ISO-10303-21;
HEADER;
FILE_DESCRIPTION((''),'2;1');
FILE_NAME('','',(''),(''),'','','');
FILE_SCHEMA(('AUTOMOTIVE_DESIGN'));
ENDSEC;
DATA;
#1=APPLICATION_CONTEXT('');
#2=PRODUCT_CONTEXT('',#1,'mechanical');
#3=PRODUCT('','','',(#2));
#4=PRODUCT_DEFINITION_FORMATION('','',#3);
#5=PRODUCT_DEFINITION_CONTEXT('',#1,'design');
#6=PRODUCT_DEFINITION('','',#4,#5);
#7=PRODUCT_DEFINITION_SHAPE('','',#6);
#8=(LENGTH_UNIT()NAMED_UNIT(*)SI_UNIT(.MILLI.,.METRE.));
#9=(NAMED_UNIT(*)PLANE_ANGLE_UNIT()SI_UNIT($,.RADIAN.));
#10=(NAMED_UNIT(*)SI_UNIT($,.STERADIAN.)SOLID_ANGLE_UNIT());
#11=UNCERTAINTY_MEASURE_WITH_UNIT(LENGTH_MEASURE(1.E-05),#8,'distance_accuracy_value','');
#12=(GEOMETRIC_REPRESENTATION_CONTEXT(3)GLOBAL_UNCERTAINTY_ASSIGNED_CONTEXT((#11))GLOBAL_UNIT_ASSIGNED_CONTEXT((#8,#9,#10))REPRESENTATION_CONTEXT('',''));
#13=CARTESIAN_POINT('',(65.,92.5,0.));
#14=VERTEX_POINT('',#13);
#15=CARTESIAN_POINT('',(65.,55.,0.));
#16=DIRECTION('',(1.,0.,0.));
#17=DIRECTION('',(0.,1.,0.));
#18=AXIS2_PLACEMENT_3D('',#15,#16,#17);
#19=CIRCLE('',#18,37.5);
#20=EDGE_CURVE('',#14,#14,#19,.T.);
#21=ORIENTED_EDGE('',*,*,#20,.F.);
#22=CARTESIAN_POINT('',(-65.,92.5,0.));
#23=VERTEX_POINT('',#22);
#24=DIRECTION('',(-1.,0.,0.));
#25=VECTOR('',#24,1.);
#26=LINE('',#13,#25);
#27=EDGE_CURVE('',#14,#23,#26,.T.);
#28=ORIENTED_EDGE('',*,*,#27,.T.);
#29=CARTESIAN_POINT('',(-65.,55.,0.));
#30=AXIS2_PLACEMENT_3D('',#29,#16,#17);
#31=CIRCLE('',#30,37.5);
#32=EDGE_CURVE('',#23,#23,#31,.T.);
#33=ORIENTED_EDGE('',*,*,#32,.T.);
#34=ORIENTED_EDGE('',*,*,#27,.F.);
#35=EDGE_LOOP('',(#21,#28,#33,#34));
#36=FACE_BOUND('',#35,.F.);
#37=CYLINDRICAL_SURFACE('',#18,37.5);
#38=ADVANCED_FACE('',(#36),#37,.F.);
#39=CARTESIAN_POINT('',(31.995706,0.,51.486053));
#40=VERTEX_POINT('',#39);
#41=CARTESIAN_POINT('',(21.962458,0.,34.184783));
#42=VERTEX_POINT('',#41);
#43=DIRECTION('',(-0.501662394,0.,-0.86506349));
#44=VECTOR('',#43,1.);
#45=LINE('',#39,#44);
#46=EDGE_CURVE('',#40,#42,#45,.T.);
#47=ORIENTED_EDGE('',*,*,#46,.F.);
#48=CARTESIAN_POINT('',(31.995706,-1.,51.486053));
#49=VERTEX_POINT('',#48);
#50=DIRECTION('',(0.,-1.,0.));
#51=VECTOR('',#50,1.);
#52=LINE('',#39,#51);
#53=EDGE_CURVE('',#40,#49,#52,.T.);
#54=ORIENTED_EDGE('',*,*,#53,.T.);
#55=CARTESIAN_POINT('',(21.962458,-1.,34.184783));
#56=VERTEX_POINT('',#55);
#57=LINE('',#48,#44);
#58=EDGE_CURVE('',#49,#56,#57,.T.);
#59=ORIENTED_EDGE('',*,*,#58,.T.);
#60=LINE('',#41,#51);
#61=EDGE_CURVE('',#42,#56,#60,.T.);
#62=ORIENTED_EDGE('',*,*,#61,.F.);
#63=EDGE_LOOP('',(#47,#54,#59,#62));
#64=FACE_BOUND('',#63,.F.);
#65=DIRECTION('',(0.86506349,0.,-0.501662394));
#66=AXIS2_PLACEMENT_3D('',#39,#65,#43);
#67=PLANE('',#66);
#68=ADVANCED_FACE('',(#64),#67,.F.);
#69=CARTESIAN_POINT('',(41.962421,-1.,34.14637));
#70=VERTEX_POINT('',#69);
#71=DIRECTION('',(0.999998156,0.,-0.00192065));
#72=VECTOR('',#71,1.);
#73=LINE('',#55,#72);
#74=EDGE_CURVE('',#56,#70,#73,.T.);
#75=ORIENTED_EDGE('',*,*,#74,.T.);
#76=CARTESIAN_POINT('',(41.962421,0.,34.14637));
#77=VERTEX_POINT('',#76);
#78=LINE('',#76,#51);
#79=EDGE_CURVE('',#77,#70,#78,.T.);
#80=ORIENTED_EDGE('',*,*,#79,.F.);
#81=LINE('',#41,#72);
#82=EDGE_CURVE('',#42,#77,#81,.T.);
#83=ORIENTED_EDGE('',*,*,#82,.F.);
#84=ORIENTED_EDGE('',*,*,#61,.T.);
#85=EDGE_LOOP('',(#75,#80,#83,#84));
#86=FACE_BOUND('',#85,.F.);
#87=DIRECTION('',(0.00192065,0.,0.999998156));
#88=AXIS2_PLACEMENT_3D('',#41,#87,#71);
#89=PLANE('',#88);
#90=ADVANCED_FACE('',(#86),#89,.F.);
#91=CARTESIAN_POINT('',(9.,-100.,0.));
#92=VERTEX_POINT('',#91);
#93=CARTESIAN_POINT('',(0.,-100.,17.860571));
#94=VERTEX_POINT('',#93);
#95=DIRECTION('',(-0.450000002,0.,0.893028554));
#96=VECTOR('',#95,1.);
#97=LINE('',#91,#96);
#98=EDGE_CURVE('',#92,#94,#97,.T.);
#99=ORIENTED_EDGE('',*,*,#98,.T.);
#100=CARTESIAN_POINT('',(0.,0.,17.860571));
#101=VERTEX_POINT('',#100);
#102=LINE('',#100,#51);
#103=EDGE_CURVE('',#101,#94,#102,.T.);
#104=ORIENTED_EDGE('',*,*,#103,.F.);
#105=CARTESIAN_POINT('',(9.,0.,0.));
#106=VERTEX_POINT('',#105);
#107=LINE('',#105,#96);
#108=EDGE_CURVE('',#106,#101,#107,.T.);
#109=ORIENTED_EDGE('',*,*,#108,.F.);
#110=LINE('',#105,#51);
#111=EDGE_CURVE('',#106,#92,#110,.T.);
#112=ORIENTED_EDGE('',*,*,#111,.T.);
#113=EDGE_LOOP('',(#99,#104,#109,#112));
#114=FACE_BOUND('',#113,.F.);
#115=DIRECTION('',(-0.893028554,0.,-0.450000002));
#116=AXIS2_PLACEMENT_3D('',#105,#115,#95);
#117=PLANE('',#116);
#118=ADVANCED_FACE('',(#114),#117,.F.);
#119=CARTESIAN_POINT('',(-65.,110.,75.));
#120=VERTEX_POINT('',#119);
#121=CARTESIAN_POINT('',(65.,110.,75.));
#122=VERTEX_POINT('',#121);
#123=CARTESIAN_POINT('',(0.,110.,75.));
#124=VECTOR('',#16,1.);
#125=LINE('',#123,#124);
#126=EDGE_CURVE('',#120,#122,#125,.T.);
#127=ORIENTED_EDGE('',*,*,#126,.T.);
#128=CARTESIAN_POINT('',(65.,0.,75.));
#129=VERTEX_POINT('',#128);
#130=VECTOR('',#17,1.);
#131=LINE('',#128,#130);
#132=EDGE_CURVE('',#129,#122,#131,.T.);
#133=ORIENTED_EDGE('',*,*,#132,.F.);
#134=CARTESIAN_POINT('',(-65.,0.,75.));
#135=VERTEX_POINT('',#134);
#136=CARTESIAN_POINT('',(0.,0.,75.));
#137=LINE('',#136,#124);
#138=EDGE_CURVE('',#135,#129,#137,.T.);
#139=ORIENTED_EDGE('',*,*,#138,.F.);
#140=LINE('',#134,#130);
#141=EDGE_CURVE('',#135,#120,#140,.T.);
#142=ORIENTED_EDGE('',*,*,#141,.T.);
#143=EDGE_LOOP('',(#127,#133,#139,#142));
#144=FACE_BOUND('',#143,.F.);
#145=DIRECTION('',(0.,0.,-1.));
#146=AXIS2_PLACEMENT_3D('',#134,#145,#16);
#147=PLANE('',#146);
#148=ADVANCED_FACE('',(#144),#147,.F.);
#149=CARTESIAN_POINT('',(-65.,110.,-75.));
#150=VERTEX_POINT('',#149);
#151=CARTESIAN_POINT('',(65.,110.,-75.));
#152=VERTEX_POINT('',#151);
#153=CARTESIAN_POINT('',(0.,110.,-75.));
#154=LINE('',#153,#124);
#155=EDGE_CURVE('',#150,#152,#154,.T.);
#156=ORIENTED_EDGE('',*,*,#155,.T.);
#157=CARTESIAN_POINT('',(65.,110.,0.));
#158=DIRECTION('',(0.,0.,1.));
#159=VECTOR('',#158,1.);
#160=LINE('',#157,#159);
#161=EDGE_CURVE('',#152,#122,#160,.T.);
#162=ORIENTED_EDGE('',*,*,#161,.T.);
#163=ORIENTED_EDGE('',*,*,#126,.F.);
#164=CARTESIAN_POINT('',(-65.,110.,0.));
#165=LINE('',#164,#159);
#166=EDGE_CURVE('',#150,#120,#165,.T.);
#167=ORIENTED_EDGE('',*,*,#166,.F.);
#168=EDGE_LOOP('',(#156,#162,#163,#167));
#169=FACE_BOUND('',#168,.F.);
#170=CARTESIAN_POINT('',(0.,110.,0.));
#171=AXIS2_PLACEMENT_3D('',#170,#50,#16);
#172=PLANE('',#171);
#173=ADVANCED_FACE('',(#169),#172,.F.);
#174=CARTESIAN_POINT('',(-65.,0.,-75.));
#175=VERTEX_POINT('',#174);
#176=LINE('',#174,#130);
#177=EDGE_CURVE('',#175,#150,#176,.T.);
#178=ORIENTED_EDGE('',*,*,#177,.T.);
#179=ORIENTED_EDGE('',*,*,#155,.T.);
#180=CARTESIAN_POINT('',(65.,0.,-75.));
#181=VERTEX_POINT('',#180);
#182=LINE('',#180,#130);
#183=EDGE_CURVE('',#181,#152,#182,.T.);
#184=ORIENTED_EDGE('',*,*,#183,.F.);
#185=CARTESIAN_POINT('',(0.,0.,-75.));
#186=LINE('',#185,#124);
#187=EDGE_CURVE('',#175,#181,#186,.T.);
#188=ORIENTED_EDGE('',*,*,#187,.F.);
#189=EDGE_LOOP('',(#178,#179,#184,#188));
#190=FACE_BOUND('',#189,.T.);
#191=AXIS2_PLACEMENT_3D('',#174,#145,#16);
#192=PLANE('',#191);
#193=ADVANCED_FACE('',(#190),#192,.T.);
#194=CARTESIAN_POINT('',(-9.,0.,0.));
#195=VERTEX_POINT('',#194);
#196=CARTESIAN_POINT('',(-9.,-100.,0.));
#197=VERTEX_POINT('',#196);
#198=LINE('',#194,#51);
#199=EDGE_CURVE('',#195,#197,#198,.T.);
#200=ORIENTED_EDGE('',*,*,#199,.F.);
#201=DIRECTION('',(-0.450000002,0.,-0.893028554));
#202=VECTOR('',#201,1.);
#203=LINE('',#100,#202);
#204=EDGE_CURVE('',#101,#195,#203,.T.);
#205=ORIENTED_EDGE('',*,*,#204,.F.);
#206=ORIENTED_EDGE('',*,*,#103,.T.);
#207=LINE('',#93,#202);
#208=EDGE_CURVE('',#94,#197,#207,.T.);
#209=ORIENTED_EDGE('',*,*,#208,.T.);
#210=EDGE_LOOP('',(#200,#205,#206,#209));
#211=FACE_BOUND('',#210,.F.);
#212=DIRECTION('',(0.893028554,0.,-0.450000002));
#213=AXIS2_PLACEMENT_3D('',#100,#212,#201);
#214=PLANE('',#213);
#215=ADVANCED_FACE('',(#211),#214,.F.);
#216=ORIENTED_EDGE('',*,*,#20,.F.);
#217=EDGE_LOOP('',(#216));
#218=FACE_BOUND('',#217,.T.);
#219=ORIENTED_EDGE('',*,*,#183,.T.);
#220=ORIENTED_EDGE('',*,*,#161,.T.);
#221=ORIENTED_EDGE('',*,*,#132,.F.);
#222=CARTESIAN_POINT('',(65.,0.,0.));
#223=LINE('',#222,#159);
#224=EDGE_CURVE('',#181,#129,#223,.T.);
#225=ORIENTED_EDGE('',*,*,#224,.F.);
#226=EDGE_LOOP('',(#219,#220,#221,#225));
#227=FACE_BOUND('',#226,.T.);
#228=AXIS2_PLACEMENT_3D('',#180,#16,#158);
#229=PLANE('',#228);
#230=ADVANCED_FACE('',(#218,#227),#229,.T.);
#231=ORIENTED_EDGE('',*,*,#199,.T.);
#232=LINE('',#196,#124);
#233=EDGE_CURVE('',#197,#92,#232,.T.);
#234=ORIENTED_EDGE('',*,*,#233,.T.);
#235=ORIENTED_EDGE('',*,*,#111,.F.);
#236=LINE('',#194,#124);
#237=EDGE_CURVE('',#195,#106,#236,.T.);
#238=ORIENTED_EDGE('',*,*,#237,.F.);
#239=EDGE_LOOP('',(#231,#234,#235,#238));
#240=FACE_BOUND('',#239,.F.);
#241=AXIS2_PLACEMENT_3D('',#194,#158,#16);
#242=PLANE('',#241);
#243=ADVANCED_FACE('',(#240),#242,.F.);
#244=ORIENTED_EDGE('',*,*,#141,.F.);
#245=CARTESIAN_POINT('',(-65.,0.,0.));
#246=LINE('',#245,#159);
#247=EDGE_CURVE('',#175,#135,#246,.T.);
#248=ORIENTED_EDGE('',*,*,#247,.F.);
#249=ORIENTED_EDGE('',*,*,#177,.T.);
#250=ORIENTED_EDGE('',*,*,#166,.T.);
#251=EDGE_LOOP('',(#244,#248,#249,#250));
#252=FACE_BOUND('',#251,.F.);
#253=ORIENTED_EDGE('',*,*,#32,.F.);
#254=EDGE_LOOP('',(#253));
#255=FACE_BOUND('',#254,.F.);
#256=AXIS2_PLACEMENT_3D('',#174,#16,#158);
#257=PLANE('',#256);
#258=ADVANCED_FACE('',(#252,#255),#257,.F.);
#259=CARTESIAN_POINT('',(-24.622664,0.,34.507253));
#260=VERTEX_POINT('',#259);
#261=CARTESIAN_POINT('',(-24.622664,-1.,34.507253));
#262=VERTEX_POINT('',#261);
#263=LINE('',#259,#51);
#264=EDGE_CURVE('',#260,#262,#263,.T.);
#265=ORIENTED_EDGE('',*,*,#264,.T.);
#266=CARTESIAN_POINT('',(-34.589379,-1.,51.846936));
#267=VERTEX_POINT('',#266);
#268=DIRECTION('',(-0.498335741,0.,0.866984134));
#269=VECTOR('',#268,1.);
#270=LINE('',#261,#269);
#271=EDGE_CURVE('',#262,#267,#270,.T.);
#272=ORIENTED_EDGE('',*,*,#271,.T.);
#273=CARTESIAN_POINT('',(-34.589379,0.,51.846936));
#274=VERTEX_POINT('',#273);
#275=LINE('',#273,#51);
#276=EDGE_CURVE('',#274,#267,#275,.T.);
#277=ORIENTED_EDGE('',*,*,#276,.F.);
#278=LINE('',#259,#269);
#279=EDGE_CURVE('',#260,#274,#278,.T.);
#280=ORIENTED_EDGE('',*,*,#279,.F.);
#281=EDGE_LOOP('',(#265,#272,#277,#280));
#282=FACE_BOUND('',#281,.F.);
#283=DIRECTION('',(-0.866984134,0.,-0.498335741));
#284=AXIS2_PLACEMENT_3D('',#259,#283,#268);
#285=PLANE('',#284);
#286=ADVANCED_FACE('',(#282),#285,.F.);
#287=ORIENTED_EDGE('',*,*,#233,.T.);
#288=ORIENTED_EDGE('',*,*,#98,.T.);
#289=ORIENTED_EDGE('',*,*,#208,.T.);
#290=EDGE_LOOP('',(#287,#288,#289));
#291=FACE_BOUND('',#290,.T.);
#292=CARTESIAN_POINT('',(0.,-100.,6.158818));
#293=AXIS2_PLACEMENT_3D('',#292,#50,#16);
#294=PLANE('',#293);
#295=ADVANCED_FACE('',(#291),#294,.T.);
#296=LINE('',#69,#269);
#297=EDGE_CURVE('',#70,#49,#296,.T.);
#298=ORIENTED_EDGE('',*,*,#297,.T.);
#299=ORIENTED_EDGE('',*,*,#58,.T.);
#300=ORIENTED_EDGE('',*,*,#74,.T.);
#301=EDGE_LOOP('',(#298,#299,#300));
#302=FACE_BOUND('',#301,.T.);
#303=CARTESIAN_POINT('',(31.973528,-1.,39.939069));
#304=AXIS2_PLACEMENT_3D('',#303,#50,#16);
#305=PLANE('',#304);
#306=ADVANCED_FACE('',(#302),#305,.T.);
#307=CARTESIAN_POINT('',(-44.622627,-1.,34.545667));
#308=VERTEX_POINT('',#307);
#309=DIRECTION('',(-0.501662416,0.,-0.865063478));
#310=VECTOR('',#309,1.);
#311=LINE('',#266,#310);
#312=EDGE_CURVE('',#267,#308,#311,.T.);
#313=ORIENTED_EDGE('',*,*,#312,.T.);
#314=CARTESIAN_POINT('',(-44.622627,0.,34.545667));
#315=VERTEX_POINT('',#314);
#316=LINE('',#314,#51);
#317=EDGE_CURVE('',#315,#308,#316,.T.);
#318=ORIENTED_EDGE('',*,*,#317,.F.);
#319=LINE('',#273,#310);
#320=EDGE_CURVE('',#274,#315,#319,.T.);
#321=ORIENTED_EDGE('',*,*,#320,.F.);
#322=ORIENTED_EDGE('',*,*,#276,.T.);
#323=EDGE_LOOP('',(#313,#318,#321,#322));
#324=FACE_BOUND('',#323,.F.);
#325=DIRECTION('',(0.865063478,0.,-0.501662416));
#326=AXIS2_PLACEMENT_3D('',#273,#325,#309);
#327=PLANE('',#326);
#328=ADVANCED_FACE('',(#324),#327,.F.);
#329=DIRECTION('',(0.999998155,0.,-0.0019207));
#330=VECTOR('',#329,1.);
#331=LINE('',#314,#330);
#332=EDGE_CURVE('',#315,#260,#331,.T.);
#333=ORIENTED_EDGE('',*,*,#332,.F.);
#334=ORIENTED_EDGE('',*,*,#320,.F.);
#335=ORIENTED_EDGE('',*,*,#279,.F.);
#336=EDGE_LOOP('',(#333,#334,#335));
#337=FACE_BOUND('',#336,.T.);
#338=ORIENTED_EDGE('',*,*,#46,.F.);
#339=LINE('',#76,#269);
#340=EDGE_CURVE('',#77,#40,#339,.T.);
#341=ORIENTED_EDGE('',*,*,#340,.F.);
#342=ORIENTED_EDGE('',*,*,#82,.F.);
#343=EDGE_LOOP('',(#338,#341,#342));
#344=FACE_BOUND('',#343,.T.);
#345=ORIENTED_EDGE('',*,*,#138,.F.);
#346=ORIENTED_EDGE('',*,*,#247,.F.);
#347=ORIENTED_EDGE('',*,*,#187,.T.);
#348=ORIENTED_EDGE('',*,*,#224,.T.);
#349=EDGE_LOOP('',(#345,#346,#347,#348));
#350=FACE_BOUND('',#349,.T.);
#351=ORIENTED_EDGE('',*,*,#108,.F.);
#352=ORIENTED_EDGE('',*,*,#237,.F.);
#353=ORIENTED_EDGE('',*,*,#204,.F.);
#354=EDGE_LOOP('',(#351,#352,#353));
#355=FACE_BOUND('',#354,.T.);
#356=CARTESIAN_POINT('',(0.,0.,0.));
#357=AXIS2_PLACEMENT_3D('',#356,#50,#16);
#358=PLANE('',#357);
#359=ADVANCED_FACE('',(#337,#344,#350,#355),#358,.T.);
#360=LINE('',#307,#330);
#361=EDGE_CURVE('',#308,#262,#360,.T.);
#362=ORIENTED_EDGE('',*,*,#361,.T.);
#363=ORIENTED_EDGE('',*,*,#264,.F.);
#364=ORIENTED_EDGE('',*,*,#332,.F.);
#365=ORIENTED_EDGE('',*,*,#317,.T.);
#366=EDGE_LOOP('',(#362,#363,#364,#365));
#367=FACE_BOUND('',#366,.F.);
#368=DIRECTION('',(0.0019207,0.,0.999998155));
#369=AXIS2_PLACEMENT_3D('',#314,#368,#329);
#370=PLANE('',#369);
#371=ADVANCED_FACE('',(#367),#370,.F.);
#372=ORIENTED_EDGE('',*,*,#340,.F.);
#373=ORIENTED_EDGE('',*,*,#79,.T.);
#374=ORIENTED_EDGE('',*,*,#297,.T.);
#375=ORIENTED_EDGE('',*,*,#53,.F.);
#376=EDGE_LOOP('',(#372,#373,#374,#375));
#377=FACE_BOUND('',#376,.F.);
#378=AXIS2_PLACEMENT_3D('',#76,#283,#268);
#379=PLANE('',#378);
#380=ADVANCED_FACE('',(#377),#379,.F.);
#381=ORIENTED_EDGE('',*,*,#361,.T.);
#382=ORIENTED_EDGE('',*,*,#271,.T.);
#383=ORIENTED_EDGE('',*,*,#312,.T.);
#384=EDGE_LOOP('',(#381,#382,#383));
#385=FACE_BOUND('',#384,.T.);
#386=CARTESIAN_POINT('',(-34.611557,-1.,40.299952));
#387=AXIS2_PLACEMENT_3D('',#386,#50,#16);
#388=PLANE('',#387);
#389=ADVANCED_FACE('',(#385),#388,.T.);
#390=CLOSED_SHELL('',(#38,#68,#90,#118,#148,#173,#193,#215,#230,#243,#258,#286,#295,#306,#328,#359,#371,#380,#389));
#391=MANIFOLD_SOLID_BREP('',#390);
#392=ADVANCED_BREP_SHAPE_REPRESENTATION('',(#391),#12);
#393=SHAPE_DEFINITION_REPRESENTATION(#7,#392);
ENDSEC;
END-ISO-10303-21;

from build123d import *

# Parameters (mm, degrees)
F0_W     = 130
F0_H     = 150
F1_DEPTH = 110
F2_R     = 37.5
F3_DEPTH = 130
F5_DEPTH = 100
F6_DEPTH = 1


with BuildPart() as f1:
    # F0 (on Front) → F1 (new body)
    with BuildSketch(Plane.XZ):
        Rectangle(F0_W, F0_H)
    extrude(amount=-F1_DEPTH)

    # F2 (on face) → F3 (cut)
    with BuildSketch(Plane.YZ.offset(65)):
        with Locations((55, 0)):
            Circle(F2_R)
    extrude(amount=-F3_DEPTH, mode=Mode.SUBTRACT)

    # F4 (on Front) → F5 (join)
    with BuildSketch(Plane.XZ):
        Polygon((-9, 0), (9, 0), (0, 17.860571), align=None)
    extrude(amount=F5_DEPTH)

    # F4 (on Front) → F6 (join)
    with BuildSketch(Plane.XZ):
        Polygon((-44.622627, 34.545667), (-24.622664, 34.507253), (-34.589379, 51.846936), align=None)
        Polygon((21.962458, 34.184783), (41.962421, 34.14637), (31.995706, 51.486053), align=None)
    extrude(amount=F6_DEPTH)


solid = f1.part
